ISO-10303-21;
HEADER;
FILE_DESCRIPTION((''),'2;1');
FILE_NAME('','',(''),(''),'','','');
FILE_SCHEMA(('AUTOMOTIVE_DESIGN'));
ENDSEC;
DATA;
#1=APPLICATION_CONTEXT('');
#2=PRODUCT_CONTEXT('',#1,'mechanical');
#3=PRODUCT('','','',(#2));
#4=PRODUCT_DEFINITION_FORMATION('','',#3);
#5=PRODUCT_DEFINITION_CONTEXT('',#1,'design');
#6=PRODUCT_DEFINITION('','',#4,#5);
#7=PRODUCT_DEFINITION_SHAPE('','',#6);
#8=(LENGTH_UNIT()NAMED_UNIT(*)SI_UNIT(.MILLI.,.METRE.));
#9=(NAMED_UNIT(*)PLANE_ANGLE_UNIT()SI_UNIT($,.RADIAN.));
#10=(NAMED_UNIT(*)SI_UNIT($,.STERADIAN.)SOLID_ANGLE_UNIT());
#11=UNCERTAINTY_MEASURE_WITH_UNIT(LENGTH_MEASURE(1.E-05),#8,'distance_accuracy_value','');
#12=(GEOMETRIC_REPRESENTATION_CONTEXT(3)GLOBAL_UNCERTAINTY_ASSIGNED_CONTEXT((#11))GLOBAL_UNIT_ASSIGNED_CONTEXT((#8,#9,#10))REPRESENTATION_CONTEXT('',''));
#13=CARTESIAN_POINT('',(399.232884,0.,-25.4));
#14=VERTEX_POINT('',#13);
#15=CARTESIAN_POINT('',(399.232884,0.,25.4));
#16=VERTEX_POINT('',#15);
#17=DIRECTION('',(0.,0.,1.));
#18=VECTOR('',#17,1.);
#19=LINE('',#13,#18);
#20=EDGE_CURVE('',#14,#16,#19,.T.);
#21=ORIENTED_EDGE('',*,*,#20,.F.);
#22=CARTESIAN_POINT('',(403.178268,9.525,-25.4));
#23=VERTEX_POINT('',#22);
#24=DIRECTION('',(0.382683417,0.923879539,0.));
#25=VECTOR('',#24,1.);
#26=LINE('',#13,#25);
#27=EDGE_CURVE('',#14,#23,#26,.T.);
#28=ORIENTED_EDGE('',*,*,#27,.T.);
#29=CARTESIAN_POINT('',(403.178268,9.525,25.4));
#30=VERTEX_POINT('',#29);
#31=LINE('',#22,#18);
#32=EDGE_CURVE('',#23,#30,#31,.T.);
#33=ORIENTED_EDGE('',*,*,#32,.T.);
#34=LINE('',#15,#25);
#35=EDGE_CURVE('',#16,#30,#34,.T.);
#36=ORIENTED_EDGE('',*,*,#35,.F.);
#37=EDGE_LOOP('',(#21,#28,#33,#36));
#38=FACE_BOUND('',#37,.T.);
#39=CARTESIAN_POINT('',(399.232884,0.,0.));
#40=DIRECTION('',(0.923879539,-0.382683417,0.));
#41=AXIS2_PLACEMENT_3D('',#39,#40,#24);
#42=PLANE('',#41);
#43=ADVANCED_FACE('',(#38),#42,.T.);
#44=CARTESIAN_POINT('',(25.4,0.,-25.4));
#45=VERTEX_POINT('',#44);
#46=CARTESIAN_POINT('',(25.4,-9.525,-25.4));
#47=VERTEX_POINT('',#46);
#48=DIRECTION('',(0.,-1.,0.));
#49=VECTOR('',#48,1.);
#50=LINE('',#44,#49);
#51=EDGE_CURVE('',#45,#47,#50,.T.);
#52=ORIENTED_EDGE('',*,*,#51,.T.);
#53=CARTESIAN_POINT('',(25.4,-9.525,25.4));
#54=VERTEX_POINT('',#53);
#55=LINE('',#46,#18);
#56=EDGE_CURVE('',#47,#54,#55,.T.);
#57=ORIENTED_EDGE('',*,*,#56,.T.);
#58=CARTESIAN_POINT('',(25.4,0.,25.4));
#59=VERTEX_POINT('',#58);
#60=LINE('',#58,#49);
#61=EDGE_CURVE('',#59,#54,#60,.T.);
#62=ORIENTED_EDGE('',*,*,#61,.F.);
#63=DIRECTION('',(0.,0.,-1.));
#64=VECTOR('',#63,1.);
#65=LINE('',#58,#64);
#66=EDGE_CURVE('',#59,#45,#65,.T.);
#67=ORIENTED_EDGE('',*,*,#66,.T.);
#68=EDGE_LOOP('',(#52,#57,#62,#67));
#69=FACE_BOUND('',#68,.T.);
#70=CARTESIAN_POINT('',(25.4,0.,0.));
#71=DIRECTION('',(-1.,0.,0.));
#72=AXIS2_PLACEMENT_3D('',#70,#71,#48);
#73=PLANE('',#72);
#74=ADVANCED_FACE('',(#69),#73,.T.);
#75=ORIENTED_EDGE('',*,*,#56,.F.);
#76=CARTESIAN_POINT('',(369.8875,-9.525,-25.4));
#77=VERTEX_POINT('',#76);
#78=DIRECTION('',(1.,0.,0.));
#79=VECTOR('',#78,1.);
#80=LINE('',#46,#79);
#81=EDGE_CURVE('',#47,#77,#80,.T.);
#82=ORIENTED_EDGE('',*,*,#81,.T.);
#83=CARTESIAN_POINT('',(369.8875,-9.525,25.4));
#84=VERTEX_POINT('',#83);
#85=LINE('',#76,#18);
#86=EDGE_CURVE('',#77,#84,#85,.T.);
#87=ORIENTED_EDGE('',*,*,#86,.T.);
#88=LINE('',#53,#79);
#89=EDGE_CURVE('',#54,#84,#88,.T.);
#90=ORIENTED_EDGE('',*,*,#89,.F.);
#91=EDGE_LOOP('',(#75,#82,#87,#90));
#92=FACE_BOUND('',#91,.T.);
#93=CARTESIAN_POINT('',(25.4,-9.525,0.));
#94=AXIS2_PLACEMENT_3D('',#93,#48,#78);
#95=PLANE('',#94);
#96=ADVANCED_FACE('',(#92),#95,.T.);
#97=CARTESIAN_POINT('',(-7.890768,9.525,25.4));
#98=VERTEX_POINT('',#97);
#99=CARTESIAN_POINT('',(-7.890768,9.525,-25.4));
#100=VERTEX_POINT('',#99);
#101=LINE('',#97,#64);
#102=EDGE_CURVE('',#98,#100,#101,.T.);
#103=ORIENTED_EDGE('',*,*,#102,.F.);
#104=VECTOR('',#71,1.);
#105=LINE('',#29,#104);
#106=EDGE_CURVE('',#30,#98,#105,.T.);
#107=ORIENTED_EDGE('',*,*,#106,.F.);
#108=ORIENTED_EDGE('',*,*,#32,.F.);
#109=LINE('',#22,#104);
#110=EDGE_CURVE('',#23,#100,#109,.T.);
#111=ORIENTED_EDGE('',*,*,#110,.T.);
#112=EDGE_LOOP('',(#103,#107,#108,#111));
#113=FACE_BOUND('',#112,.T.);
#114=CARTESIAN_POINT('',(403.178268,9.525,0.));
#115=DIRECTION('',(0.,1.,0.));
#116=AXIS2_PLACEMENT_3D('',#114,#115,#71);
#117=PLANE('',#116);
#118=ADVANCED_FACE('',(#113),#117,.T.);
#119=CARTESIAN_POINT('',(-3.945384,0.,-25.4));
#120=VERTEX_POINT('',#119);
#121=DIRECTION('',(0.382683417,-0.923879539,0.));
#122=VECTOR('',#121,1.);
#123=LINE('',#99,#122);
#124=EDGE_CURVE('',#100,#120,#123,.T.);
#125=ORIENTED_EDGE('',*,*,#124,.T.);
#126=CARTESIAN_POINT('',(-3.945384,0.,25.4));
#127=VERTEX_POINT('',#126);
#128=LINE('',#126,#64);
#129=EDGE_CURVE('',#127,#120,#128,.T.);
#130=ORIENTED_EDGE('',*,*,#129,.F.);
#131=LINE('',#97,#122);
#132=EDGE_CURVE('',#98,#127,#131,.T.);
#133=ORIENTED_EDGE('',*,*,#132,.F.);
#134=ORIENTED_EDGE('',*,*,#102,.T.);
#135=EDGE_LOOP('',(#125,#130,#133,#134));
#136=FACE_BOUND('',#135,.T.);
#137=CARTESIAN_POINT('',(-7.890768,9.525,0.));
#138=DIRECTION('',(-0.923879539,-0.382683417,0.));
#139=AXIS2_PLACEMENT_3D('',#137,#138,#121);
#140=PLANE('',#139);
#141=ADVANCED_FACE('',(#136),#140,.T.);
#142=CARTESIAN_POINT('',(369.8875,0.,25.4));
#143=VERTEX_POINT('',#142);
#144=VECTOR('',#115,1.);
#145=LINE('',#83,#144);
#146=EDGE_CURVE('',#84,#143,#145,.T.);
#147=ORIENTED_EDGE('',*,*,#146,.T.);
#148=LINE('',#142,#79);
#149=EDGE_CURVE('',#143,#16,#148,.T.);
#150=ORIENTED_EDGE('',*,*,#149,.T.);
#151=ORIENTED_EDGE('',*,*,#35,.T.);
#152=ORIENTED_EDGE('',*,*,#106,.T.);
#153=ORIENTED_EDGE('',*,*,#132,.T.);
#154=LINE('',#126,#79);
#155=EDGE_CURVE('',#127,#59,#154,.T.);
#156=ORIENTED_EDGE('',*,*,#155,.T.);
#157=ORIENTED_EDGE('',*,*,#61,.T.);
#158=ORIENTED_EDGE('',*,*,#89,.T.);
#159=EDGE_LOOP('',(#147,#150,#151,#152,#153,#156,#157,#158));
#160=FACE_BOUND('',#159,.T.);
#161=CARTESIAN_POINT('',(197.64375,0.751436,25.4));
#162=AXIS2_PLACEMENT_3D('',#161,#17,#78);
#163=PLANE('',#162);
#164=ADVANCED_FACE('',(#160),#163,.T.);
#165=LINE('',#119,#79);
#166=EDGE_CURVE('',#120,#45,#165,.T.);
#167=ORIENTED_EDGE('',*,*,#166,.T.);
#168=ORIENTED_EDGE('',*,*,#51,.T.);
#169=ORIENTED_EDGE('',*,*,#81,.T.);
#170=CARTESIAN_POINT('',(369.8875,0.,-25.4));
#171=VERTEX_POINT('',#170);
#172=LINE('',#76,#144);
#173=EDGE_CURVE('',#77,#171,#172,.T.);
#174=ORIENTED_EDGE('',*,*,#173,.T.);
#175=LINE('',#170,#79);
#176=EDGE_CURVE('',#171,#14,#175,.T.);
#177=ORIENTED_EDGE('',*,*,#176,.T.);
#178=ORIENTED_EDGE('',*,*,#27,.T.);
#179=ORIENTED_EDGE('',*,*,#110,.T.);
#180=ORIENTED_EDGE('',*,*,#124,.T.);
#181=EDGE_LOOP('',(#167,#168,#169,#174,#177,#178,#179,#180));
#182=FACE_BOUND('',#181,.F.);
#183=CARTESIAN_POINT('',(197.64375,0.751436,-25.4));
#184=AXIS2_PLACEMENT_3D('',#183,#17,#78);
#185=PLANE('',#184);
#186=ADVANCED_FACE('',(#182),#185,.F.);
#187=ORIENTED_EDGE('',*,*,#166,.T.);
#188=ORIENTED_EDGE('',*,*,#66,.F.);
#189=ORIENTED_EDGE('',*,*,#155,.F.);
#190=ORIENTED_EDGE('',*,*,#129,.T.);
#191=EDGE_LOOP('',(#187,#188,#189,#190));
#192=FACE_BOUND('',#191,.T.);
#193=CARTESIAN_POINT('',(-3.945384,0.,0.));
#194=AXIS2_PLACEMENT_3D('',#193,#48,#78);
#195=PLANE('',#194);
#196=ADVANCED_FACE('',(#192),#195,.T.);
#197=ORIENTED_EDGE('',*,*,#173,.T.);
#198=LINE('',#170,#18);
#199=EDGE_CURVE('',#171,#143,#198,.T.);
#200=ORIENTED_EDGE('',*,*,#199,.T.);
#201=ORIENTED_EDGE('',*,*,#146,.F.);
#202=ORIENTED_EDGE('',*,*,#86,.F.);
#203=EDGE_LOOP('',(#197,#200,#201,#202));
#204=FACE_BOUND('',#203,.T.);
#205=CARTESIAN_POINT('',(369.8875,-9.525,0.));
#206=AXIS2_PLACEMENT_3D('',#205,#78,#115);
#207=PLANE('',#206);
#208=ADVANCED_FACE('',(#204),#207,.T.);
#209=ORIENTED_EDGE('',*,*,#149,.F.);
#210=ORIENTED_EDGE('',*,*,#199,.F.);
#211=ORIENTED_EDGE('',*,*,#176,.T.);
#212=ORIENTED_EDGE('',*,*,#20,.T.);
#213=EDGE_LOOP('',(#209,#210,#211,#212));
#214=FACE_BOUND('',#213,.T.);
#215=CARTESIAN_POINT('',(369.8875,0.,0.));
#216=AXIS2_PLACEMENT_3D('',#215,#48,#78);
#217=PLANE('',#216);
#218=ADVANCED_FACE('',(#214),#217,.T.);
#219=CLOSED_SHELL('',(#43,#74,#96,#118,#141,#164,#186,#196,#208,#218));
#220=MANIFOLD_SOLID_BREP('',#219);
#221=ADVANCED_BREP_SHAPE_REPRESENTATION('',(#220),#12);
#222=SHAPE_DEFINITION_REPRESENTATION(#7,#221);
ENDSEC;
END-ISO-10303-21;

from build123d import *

# Parameters (mm, degrees)
F1_DEPTH = 25.4


with BuildPart() as f1:
    # F0 (on Top) → F1 (new body, symmetric)
    with BuildSketch(Plane.XY):
        Polygon((25.4, 0), (25.4, -9.525), (369.8875, -9.525), (369.8875, 0), (399.232884, 0), (403.178268, 9.525), (-7.890768, 9.525), (-3.945384, 0), align=None)
    extrude(amount=F1_DEPTH, both=True)


solid = f1.part
